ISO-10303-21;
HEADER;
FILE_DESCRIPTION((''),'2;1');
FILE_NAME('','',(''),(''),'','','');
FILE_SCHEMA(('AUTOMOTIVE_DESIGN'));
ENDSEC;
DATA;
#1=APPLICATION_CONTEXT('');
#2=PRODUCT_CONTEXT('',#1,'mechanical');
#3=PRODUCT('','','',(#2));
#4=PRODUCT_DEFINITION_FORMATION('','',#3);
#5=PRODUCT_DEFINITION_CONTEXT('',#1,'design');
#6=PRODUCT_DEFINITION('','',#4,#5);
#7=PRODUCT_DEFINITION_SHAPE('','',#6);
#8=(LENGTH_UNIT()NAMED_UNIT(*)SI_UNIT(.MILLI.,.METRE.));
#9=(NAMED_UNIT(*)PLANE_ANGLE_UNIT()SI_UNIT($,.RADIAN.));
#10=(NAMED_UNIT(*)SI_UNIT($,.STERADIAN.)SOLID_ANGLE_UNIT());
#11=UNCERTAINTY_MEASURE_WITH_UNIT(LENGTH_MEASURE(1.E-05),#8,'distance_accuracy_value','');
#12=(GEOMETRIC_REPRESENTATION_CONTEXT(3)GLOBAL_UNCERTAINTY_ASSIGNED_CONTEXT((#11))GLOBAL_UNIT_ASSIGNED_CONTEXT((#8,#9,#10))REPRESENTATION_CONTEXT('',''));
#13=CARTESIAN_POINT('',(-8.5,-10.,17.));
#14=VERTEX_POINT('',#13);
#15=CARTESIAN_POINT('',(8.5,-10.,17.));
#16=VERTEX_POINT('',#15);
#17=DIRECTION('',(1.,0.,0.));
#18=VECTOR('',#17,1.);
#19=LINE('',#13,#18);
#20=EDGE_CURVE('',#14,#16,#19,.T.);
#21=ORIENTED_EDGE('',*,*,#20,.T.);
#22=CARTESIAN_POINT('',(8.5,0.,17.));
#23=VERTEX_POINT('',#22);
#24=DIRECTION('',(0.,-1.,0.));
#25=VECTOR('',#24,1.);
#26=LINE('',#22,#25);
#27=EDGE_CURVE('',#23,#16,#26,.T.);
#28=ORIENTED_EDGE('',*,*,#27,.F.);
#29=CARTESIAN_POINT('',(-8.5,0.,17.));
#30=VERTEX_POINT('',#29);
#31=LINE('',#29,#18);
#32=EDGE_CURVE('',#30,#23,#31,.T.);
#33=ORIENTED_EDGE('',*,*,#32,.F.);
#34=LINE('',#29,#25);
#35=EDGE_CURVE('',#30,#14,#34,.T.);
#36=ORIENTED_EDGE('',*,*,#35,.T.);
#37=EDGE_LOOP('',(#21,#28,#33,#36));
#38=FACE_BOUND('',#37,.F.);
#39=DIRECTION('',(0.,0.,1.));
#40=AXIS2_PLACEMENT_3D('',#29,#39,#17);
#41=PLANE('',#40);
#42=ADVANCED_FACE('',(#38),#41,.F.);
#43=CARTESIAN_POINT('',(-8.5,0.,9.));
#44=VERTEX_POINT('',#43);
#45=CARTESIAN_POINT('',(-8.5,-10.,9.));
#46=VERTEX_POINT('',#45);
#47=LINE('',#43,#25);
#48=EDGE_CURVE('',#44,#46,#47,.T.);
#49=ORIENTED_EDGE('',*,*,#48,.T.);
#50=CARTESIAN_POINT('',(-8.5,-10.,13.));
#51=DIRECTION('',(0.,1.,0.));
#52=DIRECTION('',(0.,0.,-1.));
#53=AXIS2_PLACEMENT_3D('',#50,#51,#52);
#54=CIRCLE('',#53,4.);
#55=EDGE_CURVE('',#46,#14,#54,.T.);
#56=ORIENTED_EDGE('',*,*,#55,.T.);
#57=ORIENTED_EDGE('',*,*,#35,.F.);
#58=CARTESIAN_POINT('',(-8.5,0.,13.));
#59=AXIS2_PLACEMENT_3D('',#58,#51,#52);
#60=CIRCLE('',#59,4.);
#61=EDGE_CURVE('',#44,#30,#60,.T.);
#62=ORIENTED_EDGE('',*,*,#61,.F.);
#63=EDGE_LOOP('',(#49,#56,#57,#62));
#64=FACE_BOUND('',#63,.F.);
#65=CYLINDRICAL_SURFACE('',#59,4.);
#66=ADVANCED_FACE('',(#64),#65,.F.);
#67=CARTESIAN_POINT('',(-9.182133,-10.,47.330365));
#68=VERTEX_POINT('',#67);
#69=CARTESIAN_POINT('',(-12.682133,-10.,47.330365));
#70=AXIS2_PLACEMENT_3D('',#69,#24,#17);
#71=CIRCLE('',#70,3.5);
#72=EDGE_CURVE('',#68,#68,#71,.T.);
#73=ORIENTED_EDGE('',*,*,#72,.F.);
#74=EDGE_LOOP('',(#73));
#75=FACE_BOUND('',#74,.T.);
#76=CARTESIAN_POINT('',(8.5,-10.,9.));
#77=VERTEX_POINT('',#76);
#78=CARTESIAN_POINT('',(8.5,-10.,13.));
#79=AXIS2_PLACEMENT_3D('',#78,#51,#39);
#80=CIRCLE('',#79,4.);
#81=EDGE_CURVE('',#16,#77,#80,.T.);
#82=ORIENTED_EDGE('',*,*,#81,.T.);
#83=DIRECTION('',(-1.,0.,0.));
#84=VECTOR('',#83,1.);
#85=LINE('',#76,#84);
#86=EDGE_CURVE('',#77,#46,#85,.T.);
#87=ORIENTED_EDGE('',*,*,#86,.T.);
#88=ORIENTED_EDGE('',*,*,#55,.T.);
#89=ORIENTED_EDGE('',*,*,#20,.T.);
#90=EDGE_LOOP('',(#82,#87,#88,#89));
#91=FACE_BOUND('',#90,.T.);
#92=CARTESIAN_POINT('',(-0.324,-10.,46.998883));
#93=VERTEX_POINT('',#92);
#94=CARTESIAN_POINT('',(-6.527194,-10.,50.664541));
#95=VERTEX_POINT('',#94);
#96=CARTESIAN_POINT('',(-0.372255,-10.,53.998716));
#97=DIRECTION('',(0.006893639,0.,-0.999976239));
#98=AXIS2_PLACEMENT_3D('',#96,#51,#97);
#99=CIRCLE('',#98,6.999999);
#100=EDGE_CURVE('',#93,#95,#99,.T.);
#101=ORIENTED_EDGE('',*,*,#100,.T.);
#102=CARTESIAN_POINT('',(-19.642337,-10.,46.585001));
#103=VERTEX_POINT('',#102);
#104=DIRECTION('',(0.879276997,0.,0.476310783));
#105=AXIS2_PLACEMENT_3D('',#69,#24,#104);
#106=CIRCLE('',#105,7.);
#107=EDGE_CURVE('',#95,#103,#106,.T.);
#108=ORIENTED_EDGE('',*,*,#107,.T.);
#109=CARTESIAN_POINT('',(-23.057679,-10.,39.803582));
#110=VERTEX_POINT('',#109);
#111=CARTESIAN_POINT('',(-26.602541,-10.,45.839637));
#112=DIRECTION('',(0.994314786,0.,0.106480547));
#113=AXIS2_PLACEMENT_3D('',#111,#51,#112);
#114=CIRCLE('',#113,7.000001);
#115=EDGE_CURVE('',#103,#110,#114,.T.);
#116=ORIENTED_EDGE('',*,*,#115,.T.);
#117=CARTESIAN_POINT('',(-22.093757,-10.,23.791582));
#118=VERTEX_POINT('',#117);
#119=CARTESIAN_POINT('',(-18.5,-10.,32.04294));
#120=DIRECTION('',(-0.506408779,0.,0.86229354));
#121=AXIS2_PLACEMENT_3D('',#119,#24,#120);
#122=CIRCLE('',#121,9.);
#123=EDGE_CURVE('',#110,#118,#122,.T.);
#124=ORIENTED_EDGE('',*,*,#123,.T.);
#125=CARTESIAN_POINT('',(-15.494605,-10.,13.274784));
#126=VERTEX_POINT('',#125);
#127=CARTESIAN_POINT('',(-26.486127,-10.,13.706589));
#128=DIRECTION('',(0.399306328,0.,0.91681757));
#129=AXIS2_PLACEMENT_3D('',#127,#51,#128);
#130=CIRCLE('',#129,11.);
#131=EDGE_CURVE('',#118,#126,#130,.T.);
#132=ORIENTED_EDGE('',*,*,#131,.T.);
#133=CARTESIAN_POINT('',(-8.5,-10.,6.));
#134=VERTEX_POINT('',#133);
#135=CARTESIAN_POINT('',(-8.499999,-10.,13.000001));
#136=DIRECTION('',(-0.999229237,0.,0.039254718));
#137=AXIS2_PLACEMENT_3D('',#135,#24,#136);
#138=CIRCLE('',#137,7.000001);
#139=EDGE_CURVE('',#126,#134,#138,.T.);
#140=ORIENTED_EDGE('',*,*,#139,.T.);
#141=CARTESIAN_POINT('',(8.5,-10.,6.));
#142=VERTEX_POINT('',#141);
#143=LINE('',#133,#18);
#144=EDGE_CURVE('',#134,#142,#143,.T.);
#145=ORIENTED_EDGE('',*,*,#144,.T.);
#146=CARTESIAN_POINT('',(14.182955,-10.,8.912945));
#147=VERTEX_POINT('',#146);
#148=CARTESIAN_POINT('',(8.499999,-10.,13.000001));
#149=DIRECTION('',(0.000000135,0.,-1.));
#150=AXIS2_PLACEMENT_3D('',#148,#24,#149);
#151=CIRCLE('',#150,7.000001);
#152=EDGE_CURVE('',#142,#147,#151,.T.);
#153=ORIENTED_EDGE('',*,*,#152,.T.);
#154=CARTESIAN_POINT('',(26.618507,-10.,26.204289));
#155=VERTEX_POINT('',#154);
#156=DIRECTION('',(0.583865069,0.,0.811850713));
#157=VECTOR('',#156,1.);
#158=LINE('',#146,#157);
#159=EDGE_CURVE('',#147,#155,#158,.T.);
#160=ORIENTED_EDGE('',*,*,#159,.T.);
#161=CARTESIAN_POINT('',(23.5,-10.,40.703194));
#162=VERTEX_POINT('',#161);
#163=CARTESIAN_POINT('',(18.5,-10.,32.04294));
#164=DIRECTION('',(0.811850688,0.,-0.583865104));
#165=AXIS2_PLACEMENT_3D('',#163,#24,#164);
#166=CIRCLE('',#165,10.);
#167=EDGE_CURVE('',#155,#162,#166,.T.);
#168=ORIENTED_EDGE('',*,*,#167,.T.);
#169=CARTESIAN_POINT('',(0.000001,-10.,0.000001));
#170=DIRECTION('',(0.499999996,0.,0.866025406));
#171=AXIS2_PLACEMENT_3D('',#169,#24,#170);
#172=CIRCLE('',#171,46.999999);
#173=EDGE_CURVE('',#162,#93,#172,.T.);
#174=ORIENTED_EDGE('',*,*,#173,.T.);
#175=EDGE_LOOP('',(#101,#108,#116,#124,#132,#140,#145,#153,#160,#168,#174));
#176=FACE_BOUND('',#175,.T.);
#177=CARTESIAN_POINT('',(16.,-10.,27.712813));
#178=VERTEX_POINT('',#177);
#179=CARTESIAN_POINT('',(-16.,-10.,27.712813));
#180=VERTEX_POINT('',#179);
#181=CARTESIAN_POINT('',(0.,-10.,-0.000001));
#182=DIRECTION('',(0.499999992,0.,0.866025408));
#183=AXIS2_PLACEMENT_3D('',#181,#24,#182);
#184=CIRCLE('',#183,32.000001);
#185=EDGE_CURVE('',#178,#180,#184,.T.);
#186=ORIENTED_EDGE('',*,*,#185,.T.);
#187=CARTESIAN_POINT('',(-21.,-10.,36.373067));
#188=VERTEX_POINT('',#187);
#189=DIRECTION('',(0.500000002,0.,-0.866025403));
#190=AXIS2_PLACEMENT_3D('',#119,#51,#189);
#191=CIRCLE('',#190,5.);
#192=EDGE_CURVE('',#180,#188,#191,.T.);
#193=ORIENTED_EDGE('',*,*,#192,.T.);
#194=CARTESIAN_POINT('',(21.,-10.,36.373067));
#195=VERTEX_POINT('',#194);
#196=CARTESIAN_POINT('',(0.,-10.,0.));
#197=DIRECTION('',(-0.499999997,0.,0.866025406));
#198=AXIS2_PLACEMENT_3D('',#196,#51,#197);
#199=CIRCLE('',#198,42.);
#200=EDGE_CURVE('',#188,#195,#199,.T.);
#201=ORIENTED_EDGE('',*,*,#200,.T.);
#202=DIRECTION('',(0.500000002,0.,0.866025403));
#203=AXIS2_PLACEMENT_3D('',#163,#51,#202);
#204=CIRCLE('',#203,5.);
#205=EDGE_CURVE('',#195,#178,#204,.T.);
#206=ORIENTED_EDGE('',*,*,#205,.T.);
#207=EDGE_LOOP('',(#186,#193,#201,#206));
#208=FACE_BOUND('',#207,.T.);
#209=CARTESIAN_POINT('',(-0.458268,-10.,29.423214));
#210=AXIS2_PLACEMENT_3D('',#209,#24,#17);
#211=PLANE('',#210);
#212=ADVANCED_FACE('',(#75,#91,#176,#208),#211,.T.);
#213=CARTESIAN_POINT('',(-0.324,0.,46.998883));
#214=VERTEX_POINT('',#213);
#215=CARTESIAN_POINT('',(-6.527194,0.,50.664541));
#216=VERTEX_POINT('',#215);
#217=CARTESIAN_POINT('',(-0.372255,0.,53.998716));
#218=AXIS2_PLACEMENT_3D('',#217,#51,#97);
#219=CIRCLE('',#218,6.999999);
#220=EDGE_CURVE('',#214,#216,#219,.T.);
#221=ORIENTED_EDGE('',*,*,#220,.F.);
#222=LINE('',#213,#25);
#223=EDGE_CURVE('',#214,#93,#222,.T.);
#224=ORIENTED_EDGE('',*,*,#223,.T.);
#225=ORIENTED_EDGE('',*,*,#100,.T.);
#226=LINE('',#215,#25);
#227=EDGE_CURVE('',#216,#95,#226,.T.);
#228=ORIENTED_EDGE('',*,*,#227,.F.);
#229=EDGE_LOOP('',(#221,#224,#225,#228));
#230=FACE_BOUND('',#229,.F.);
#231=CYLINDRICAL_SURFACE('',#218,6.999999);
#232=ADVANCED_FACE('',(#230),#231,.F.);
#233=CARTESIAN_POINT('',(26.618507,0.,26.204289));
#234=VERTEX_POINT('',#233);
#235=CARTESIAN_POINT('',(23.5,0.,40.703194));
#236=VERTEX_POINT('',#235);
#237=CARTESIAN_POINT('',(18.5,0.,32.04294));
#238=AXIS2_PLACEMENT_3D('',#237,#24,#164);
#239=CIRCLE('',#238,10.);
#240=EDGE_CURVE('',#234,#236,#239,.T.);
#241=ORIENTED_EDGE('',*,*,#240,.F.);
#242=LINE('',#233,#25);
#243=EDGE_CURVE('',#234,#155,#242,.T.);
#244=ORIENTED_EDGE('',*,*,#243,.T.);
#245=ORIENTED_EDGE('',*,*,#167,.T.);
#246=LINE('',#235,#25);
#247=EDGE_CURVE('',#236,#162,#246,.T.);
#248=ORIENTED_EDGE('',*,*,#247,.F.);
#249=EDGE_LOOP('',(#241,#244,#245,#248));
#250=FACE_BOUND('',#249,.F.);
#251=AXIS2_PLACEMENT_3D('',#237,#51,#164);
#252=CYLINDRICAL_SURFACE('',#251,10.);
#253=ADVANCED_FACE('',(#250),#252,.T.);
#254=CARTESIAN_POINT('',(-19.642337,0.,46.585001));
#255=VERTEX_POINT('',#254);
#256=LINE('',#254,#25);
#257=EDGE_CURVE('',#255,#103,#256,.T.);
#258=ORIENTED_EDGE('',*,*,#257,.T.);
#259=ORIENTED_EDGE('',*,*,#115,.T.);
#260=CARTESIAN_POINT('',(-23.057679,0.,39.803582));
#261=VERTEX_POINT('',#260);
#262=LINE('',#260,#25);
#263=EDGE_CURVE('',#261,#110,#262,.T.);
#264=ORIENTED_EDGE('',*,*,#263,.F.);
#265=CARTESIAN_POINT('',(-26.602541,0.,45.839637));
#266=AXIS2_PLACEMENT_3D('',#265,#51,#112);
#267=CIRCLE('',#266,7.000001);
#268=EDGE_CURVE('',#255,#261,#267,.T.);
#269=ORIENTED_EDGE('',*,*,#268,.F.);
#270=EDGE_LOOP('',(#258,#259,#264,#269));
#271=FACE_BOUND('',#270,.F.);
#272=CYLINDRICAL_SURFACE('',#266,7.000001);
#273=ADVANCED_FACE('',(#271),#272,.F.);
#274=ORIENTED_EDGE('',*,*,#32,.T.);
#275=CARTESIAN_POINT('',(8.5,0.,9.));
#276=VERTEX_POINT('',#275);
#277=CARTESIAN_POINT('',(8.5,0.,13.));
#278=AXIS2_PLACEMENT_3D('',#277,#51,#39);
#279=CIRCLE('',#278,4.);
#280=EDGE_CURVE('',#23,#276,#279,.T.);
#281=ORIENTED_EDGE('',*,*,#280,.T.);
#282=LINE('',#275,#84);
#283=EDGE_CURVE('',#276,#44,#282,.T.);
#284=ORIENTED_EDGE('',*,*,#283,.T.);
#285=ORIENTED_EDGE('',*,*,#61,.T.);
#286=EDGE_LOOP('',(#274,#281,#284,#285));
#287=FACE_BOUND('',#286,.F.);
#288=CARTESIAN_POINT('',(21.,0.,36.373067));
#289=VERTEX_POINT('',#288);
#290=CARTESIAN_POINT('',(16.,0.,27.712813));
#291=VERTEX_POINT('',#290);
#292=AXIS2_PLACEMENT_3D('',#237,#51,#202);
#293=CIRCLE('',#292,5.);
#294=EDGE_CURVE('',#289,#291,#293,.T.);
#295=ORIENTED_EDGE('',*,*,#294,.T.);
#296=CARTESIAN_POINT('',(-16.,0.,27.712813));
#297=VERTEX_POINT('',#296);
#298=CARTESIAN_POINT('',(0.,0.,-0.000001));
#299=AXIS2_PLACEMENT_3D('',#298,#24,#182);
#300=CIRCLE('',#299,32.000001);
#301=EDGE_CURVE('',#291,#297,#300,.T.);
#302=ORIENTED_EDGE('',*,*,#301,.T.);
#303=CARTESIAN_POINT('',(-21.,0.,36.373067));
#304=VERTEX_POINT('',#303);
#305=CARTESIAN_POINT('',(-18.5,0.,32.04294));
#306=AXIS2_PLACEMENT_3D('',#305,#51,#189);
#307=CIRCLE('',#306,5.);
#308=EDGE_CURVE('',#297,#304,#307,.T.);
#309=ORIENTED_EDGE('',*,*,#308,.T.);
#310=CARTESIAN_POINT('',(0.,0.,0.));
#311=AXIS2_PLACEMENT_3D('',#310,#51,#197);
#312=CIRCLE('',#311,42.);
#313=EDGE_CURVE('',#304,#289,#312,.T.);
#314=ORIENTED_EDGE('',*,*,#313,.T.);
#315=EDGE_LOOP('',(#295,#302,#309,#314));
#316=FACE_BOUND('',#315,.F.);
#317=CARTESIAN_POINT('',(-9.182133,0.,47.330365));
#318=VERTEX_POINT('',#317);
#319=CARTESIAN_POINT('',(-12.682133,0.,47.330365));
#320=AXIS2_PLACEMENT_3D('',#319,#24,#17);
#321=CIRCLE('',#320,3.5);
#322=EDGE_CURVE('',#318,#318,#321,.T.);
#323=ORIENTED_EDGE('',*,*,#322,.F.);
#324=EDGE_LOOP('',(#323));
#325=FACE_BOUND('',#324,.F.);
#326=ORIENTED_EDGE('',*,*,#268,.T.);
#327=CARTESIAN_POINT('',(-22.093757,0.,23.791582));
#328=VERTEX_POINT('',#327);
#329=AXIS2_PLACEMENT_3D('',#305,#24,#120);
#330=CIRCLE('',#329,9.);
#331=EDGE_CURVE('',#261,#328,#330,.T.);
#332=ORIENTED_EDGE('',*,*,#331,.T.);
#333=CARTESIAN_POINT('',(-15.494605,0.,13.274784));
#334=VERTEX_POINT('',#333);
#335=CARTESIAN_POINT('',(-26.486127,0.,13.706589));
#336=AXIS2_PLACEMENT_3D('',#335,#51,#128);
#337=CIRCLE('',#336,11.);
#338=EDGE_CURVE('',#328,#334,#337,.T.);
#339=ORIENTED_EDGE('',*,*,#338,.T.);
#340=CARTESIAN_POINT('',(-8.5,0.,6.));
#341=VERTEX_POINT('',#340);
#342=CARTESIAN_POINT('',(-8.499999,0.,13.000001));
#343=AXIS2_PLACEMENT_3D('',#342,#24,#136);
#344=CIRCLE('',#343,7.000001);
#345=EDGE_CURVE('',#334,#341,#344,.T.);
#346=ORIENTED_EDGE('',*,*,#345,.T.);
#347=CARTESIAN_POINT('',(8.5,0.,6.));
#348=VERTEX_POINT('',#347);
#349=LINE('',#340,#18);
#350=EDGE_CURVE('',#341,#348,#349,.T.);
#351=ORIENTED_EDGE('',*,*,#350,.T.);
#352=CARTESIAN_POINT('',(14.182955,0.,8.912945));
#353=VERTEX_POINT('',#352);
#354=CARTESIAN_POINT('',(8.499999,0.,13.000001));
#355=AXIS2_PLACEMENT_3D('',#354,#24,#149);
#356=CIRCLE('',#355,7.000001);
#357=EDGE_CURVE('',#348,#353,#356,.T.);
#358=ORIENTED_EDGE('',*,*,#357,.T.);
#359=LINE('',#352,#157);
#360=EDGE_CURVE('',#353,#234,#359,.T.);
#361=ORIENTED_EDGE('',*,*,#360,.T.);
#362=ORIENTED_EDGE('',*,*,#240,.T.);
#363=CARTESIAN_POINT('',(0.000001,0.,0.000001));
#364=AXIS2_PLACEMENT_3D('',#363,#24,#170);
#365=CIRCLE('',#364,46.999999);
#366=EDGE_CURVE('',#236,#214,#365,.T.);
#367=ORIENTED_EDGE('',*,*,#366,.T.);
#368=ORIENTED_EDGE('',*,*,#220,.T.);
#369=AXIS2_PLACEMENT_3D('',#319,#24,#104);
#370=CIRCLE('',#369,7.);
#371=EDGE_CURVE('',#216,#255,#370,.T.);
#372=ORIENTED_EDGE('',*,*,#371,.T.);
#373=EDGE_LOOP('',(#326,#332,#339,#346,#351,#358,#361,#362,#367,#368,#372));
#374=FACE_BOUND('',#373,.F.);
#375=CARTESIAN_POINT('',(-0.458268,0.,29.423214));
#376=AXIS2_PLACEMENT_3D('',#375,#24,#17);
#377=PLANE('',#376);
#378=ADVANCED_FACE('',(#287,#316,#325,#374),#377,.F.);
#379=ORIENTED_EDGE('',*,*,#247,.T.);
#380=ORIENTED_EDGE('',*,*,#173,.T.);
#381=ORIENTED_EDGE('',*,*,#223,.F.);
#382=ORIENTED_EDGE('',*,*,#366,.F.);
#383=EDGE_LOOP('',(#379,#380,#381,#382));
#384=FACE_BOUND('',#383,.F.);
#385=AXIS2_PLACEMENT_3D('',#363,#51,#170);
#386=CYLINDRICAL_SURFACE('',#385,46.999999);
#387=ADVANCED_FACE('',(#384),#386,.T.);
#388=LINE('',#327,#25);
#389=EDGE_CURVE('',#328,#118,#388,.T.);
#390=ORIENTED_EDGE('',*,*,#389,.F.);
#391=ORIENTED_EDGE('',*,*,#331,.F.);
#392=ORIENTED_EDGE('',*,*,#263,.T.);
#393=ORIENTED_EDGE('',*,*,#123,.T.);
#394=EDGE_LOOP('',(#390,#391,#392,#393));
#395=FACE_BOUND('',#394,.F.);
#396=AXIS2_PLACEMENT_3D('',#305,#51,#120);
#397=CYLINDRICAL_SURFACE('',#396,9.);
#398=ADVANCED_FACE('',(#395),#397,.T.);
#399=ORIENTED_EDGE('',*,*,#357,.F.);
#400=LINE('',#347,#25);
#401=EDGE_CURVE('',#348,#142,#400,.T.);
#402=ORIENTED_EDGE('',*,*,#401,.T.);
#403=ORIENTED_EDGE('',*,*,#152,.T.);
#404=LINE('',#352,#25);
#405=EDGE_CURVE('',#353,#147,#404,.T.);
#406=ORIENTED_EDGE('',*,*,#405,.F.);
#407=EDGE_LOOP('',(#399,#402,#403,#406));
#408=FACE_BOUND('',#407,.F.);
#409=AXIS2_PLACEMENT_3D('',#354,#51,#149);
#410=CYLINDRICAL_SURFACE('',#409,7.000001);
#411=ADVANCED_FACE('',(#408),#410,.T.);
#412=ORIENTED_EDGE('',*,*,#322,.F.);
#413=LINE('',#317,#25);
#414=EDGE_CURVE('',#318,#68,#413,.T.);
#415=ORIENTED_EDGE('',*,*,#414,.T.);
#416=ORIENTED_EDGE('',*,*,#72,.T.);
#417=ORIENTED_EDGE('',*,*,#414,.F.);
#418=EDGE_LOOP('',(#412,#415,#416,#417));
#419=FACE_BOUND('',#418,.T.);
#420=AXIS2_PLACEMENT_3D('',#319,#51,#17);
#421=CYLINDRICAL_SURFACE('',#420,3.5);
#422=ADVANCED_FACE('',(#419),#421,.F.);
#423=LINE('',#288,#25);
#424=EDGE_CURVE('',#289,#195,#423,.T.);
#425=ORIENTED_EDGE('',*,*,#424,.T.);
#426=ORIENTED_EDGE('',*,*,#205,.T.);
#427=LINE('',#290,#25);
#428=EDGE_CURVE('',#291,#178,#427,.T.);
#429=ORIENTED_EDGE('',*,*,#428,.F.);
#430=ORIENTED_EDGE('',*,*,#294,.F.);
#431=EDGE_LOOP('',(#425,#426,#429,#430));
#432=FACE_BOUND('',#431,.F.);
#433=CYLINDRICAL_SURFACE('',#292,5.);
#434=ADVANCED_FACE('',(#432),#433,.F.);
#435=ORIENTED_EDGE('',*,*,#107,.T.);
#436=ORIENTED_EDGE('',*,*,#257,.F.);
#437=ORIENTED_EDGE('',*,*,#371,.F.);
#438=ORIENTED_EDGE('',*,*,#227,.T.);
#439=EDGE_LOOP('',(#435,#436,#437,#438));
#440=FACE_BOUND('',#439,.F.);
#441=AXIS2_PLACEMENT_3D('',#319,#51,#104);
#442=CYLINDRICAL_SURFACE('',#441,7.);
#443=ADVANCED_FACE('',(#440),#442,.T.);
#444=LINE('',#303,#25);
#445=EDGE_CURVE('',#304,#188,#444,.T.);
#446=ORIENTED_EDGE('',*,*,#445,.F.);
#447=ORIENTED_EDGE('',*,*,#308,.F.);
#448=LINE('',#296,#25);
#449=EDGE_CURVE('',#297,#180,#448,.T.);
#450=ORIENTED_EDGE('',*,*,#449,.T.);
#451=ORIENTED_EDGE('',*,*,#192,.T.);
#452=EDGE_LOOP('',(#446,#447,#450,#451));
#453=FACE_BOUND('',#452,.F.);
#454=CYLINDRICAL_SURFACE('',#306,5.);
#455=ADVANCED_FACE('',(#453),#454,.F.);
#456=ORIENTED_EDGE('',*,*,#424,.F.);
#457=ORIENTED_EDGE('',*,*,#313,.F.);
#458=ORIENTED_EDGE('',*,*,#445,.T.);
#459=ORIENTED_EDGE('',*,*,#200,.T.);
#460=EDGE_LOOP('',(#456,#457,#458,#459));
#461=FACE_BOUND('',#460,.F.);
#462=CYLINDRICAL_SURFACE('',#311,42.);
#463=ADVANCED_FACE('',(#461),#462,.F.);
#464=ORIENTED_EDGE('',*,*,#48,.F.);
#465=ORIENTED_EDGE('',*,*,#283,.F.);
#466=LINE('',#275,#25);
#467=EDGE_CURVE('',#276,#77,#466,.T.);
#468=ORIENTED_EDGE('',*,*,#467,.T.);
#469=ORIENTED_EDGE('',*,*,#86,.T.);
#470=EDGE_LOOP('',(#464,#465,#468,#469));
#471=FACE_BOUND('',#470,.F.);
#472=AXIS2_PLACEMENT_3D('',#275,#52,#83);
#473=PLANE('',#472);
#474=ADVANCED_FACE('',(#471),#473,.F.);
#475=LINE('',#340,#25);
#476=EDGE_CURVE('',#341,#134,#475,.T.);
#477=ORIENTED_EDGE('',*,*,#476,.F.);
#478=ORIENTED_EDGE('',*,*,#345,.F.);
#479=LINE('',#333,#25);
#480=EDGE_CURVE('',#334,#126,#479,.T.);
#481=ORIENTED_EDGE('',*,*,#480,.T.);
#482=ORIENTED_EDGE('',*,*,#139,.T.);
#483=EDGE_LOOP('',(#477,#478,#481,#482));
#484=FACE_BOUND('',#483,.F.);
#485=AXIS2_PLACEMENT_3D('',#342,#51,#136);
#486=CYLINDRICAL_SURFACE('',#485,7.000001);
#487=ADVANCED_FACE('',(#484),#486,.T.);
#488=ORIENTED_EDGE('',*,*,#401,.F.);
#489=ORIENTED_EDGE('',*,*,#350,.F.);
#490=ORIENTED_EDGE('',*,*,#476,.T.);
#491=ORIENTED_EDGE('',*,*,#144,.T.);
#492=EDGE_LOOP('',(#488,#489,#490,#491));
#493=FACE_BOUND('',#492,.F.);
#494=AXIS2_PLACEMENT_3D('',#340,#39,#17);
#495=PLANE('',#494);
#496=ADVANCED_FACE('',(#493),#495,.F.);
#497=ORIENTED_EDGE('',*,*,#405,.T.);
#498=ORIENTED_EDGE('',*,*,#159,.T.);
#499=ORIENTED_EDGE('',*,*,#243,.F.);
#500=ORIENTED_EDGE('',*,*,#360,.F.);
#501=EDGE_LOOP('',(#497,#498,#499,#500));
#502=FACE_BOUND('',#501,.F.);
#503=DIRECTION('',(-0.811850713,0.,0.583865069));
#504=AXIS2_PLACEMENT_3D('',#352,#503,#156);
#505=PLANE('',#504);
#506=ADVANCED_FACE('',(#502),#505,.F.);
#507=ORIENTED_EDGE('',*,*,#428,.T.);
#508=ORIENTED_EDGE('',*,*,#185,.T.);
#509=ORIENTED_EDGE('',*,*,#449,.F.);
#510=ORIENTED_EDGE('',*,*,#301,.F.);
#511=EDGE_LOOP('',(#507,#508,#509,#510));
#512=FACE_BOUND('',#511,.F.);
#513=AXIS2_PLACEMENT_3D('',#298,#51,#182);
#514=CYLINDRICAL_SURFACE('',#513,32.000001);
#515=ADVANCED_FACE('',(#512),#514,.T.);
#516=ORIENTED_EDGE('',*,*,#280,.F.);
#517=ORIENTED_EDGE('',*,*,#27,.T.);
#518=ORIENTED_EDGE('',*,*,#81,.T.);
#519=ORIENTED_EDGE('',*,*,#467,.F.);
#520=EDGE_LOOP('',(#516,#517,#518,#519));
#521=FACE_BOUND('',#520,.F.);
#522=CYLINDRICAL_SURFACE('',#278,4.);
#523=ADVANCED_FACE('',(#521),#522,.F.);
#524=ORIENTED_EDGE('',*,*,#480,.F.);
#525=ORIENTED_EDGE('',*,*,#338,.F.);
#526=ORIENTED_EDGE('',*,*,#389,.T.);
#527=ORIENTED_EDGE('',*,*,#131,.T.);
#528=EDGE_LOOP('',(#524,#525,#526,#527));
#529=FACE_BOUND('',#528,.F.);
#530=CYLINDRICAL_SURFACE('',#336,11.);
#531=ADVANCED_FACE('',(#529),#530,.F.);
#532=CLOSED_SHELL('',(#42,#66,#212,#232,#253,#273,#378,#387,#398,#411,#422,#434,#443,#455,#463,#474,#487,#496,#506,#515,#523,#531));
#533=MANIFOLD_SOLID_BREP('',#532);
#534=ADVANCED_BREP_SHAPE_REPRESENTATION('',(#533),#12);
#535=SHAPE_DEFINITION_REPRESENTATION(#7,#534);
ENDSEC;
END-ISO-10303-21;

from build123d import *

# Parameters (mm, degrees)
F0_R     = 3.5
F1_DEPTH = 10


with BuildPart() as f1:
    # F0 (on Front) → F1 (new body)
    with BuildSketch(Plane.XZ):
        with BuildLine():
            ThreePointArc((26.618507, 26.204289), (28.276419, 34.145708), (23.5, 40.703194))
            ThreePointArc((23.5, 40.703194), (12.007942, 45.440173), (-0.324, 46.998883))
            ThreePointArc((-0.324, 46.998883), (-3.933457, 47.972288), (-6.527194, 50.664541))
            ThreePointArc((-6.527194, 50.664541), (-14.761262, 54.014468), (-19.642337, 46.585001))
            ThreePointArc((-19.642337, 46.585001), (-20.35066, 42.690988), (-23.057679, 39.803582))
            ThreePointArc((-23.057679, 39.803582), (-27.483736, 31.502119), (-22.093757, 23.791582))
            ThreePointArc((-22.093757, 23.791582), (-17.168574, 19.55323), (-15.494605, 13.274784))
            ThreePointArc((-15.494605, 13.274784), (-13.545963, 8.148376), (-8.5, 6))
            Line((-8.5, 6), (8.5, 6))
            ThreePointArc((8.5, 6), (11.693009, 6.770659), (14.182955, 8.912945))
            Line((14.182955, 8.912945), (26.618507, 26.204289))
        make_face()
        with BuildLine():
            ThreePointArc((8.5, 17), (12.5, 13), (8.5, 9))
            Line((8.5, 9), (-2.755437, 9))
            Line((-2.755437, 9), (-8.5, 9))
            ThreePointArc((-8.5, 9), (-12.5, 13), (-8.5, 17))
            Line((-8.5, 17), (8.5, 17))
        make_face(mode=Mode.SUBTRACT)
        with BuildLine():
            ThreePointArc((21, 36.373067), (22.830127, 29.54294), (16, 27.712813))
            ThreePointArc((16, 27.712813), (0, 32), (-16, 27.712813))
            ThreePointArc((-16, 27.712813), (-22.830127, 29.54294), (-21, 36.373067))
            ThreePointArc((-21, 36.373067), (0, 42), (21, 36.373067))
        make_face(mode=Mode.SUBTRACT)
        with Locations((-12.682133, 47.330365)):
            Circle(F0_R, mode=Mode.SUBTRACT)
    extrude(amount=F1_DEPTH)


solid = f1.part
